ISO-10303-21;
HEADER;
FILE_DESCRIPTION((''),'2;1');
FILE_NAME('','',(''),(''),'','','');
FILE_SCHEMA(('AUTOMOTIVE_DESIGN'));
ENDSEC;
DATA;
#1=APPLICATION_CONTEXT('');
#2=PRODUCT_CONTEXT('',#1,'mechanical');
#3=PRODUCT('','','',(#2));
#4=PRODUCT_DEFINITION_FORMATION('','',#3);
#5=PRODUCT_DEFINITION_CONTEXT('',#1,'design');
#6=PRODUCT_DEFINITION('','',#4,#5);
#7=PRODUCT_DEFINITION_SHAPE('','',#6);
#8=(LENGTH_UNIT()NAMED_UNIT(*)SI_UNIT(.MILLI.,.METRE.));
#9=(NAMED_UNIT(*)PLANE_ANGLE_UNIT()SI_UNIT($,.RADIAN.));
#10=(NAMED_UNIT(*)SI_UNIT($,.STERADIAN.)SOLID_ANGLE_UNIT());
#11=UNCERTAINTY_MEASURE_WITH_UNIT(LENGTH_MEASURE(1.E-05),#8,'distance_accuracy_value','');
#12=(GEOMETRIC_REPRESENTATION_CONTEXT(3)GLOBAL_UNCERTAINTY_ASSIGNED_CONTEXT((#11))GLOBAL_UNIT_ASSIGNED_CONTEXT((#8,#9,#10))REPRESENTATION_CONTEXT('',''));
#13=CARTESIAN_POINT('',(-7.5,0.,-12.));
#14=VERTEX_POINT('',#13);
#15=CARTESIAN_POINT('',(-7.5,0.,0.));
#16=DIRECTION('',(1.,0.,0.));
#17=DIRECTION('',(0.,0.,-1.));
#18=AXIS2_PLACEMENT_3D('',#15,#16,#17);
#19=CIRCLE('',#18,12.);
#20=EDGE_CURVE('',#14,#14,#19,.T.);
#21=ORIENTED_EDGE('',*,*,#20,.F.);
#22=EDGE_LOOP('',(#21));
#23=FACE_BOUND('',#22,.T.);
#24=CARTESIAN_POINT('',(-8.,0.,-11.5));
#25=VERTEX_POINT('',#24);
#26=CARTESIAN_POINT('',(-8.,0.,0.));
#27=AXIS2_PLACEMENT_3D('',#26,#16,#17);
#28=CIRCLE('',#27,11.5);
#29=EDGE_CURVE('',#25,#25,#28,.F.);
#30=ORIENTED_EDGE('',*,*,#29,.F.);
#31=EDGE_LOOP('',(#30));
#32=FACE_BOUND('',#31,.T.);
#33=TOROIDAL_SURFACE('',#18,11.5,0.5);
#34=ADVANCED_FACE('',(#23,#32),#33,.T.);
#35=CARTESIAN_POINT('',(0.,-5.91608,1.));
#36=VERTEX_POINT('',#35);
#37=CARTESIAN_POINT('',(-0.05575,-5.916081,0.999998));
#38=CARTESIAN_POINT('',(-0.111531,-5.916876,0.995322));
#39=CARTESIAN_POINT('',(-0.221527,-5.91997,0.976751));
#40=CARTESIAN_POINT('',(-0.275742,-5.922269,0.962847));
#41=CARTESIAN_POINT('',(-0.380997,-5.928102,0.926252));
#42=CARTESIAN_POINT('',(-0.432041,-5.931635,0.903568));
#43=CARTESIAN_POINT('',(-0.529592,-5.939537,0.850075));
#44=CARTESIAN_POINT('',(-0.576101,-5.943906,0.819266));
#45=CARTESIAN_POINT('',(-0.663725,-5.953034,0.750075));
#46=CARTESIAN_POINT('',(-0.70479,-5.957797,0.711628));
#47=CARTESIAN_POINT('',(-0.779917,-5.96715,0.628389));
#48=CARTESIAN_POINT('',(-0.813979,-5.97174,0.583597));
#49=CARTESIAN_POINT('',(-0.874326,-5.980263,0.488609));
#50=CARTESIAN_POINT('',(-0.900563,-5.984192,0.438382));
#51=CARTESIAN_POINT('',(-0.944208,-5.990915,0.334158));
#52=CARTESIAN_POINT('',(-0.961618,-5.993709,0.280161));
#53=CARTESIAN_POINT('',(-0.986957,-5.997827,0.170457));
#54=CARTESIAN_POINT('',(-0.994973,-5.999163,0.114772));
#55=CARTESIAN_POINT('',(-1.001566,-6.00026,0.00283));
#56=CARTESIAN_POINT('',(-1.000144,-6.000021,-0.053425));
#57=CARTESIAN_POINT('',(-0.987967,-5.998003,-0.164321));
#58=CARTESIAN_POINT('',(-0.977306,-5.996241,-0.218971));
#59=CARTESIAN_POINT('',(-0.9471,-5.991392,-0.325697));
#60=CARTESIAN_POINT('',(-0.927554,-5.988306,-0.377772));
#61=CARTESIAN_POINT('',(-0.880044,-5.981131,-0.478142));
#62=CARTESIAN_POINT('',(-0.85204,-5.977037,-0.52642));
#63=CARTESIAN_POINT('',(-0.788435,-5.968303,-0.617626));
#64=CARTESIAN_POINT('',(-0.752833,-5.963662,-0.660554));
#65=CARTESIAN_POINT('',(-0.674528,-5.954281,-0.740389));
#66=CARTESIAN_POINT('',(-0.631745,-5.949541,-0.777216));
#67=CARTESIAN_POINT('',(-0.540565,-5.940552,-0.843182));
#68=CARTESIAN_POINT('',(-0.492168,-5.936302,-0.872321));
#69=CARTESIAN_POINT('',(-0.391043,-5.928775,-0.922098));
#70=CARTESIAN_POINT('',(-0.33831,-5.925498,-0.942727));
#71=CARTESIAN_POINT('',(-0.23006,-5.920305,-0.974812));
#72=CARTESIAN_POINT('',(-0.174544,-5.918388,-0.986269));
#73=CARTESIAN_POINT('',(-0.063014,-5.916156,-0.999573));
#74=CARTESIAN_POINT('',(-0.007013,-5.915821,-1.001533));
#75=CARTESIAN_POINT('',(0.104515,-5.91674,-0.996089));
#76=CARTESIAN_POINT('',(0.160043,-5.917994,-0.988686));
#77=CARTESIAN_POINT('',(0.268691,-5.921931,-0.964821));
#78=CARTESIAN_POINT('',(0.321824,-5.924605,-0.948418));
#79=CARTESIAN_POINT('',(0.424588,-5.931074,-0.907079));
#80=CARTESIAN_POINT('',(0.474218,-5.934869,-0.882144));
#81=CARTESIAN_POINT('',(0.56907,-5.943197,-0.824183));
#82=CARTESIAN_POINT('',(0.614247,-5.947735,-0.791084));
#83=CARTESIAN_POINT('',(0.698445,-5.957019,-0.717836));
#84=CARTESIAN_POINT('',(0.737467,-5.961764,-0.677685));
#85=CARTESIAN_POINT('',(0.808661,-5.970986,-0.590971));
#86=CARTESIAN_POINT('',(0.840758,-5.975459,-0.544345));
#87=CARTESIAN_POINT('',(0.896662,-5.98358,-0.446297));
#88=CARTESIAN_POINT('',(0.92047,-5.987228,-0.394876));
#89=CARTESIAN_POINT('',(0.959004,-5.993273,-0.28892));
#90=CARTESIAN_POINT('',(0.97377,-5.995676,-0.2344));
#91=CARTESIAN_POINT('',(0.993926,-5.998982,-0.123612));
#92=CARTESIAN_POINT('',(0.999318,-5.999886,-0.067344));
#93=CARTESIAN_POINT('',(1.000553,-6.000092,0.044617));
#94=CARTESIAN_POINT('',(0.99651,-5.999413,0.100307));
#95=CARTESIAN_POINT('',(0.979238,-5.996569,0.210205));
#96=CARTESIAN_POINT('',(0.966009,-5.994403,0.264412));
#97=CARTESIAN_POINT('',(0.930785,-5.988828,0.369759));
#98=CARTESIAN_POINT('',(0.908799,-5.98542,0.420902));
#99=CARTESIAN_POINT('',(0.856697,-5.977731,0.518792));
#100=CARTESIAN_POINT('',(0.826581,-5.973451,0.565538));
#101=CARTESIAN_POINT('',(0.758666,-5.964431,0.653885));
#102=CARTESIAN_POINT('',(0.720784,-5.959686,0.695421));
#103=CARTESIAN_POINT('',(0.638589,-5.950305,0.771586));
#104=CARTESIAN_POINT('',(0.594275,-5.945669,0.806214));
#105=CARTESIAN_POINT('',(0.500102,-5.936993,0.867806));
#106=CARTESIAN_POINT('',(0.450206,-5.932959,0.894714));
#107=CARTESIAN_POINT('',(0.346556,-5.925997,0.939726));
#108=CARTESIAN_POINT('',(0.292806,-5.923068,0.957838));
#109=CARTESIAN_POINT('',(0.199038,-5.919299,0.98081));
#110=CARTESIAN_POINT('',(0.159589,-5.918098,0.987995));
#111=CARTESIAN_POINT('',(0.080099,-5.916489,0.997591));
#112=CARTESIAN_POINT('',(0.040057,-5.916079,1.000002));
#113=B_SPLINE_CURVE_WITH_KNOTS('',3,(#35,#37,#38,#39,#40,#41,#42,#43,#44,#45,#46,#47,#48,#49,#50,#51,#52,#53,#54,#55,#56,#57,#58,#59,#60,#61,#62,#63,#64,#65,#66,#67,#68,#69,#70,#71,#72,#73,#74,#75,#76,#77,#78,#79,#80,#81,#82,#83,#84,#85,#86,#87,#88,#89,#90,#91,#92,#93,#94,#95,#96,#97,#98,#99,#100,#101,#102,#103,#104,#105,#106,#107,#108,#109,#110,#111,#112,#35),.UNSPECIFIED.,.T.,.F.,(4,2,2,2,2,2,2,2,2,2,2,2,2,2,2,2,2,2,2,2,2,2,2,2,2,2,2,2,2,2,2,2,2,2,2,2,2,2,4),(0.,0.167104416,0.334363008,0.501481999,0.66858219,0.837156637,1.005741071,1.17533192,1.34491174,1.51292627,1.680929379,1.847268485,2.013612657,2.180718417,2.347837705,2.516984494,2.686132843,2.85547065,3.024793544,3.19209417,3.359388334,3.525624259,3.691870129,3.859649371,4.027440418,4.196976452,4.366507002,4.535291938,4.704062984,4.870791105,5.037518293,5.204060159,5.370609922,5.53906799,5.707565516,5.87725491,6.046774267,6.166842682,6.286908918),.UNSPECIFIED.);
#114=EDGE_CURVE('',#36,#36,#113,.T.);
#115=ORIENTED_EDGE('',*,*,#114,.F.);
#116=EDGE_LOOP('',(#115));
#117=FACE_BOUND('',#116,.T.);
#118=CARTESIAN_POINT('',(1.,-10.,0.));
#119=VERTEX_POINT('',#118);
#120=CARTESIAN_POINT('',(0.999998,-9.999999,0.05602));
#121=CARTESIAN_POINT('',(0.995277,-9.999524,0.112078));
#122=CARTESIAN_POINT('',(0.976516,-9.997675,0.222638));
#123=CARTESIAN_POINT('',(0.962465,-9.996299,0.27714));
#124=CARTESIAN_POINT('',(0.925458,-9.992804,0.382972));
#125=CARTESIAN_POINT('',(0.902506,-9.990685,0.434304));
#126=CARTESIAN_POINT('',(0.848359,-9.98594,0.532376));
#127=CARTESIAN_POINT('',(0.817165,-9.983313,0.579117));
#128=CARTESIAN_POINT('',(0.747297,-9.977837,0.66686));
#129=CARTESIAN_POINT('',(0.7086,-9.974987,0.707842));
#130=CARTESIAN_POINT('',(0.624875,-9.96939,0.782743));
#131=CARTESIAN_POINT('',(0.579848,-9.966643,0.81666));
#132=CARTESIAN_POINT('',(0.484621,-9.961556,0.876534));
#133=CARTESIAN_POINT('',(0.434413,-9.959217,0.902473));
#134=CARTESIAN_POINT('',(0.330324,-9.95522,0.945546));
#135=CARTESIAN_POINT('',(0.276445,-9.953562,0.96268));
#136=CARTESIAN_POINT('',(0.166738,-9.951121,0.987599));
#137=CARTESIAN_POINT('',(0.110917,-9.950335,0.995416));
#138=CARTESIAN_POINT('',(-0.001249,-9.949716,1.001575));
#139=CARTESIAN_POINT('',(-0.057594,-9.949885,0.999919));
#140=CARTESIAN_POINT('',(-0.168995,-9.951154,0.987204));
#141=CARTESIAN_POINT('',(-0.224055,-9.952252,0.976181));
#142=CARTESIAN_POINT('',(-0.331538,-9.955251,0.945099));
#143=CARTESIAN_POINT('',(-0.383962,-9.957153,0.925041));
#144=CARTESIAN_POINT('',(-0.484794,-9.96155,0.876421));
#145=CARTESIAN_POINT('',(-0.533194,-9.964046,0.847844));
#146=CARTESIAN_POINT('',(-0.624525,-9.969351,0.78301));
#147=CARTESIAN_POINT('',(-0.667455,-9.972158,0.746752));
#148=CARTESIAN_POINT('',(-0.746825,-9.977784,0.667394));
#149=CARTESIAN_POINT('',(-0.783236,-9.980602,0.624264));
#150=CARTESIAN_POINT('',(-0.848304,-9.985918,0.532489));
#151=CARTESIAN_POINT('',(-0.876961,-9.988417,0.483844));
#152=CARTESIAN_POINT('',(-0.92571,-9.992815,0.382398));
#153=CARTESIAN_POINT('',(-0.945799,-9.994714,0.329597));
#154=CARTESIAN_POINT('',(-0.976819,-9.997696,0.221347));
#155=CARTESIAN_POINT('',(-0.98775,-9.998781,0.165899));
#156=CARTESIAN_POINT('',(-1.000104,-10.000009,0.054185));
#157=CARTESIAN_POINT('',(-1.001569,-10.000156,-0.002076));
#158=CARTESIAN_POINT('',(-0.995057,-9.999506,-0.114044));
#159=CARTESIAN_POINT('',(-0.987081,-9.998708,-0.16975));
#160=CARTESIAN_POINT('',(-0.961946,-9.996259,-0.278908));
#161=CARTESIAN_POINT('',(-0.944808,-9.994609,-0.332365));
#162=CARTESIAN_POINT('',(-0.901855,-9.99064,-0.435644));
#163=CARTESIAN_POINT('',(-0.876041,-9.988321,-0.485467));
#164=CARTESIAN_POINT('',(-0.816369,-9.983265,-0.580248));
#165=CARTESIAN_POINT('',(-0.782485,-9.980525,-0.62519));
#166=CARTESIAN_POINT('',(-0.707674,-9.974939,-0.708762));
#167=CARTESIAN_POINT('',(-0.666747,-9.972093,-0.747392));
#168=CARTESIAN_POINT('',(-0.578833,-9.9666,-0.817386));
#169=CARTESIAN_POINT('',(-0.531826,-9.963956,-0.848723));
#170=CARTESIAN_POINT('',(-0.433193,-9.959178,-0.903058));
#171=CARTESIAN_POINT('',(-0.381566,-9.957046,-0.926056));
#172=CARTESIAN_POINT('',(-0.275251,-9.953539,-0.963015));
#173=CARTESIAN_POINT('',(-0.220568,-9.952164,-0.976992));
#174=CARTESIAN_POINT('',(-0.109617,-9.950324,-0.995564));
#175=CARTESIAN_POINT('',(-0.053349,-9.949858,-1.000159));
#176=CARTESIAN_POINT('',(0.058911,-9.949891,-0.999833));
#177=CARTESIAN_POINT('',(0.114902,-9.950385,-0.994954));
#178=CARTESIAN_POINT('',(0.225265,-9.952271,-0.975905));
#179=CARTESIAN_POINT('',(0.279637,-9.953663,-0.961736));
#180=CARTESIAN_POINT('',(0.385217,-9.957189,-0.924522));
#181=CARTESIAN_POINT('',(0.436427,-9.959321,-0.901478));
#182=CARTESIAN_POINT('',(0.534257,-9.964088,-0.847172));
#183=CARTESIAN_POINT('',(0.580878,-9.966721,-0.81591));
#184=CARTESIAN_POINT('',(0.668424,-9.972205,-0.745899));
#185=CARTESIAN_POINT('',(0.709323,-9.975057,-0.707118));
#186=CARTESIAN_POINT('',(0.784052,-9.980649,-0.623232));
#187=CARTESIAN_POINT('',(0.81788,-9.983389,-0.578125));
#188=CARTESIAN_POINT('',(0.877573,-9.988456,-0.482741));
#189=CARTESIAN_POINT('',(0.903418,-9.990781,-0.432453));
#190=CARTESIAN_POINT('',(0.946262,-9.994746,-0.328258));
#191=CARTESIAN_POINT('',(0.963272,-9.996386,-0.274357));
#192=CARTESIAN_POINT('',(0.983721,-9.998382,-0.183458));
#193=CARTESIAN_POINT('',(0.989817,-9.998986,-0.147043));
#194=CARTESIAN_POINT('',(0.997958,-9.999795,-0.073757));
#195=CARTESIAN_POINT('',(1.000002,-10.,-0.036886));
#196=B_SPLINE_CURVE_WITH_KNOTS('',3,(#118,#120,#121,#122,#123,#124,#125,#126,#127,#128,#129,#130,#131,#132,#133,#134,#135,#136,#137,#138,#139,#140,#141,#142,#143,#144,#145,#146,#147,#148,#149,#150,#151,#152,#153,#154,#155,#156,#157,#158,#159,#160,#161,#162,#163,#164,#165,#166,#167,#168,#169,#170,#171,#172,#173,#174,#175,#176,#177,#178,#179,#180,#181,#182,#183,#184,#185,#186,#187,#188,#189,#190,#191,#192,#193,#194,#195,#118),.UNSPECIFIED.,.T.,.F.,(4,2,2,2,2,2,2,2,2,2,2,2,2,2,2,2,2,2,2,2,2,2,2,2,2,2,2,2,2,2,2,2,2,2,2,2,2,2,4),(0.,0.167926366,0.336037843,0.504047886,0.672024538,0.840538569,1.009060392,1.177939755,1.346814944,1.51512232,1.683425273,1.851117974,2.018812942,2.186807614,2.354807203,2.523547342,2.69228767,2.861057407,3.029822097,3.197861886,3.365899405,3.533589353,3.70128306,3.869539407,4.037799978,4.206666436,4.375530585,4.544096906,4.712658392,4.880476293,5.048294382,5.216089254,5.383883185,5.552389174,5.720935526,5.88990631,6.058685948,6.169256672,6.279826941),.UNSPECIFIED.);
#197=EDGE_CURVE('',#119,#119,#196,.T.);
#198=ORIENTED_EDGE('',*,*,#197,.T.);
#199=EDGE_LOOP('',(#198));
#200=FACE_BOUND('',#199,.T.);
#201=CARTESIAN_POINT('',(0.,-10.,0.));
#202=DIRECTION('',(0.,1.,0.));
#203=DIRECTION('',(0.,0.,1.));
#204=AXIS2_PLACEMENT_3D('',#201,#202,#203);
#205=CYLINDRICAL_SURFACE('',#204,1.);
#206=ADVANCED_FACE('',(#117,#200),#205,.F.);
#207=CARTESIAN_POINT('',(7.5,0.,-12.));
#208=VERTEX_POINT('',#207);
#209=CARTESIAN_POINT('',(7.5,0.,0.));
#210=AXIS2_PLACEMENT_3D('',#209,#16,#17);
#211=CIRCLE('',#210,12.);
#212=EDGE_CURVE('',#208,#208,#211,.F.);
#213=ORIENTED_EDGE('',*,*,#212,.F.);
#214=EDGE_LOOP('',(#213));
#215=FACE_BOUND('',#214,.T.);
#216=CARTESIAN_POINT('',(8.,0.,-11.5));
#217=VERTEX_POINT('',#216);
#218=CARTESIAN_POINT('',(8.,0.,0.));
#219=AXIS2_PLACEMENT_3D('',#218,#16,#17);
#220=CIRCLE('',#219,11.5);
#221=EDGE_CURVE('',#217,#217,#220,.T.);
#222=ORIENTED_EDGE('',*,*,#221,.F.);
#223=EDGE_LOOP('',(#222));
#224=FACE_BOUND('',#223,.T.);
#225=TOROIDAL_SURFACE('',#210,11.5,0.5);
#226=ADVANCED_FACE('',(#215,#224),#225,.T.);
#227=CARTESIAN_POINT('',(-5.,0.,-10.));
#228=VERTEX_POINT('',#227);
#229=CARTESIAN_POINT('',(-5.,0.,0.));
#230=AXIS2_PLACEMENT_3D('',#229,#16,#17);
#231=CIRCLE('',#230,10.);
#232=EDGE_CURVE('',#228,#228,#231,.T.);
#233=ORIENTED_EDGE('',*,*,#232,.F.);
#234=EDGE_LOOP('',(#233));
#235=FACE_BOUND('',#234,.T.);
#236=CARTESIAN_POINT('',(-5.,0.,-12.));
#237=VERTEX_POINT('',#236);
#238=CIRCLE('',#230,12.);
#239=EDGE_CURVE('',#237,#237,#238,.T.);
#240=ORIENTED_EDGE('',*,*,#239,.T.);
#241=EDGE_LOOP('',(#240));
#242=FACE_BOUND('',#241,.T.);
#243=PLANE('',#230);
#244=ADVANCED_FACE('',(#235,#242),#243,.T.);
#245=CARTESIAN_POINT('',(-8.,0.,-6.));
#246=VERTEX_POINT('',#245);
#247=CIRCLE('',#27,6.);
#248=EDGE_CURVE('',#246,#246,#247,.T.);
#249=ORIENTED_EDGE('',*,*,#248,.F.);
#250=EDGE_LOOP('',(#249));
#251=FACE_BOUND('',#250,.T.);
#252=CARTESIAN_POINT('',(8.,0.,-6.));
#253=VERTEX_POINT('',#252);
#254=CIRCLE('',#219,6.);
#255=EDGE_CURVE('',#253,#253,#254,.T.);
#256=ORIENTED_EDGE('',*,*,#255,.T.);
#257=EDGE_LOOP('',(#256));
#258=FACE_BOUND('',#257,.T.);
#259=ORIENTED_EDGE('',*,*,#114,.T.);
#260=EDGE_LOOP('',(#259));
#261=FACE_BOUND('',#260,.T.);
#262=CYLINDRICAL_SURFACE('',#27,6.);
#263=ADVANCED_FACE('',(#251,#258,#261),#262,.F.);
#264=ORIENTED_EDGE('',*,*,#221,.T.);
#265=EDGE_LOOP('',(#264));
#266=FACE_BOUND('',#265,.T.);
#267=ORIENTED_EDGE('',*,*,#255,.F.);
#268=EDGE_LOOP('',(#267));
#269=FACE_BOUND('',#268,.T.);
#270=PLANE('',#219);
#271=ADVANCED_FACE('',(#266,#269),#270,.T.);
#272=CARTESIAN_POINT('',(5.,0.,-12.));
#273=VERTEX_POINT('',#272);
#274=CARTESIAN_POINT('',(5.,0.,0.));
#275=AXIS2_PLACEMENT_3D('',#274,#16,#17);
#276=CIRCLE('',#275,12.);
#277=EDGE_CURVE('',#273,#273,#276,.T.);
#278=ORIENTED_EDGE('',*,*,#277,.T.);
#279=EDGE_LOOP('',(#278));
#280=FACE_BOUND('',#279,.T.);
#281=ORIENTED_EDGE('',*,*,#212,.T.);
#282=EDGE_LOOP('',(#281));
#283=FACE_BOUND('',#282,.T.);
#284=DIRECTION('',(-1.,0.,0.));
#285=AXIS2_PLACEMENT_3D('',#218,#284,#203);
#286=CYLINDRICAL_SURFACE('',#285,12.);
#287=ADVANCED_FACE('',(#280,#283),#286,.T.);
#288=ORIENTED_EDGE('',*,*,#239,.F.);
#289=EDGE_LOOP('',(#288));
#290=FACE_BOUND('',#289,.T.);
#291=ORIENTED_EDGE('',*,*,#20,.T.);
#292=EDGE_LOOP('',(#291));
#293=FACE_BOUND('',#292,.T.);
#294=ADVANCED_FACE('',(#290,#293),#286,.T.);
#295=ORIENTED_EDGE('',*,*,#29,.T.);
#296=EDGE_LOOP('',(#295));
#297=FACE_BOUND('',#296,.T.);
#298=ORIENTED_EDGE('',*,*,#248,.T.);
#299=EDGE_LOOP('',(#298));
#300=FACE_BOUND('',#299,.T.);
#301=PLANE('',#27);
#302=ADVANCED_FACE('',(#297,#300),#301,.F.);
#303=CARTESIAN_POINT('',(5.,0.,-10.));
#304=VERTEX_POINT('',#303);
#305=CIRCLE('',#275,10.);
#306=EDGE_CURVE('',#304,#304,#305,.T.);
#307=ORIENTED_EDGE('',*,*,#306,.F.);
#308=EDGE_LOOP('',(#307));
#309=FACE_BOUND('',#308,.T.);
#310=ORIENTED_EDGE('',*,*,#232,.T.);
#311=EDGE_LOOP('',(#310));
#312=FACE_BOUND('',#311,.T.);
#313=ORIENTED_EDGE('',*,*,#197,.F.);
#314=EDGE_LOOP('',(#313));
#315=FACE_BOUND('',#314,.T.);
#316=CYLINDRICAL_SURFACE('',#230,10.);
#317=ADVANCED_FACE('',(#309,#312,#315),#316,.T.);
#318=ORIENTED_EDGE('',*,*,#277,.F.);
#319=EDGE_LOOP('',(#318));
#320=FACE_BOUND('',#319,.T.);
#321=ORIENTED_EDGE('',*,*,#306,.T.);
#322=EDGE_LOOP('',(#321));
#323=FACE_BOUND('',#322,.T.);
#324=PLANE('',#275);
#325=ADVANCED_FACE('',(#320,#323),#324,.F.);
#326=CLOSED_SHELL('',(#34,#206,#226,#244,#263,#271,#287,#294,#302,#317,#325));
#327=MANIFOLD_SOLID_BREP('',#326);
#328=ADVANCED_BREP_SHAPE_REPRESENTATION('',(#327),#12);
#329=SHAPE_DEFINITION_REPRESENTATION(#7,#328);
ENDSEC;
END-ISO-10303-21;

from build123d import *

# Parameters (mm, degrees)
SKETCH_2_R               = 12
EXTRUDE_1_DEPTH          = 8
SKETCH_3_R               = 12
SKETCH_3_R_2             = 10
CUT_EXTRUDE_1_DEPTH      = 5
SKETCH_4_R               = 6
CUT_EXTRUDE_2_DEPTH      = 9
CUT_EXTRUDE_2_DEPTH_BACK = 9
FILLET_1_R               = 0.5
SKETCH_5_R               = 1
CUT_EXTRUDE_3_DEPTH      = 10


with BuildPart() as part:
    # 草图2 → 凸台-拉伸1 (new body, symmetric)
    with BuildSketch(Plane(origin=(0, 0, 0), x_dir=(0, 0, -1), z_dir=(1, 0, 0))):
        Circle(SKETCH_2_R)
    extrude(amount=EXTRUDE_1_DEPTH, both=True)

    # 草图3 → 切除-拉伸1 (cut, symmetric)
    with BuildSketch(Plane(origin=(0, 0, 0), x_dir=(0, 0, -1), z_dir=(1, 0, 0))):
        Circle(SKETCH_3_R)
        Circle(SKETCH_3_R_2, mode=Mode.SUBTRACT)
    extrude(amount=CUT_EXTRUDE_1_DEPTH, both=True, mode=Mode.SUBTRACT)

    # 草图4 → 切除-拉伸2 (cut, two sides)
    with BuildSketch(Plane(origin=(0, 0, 0), x_dir=(0, 0, -1), z_dir=(1, 0, 0))) as cut_extrude_2_sk:
        Circle(SKETCH_4_R)
    extrude(amount=CUT_EXTRUDE_2_DEPTH, mode=Mode.SUBTRACT)
    extrude(cut_extrude_2_sk.sketch, amount=-CUT_EXTRUDE_2_DEPTH_BACK, mode=Mode.SUBTRACT)

    # 圆角1
    fillet_1_edges = [part.edges().sort_by_distance(p)[0] for p in [
        (-8, 0, 12),
        (8, 0, 12),
    ]]
    fillet(fillet_1_edges, radius=FILLET_1_R)

    # 草图5 → 切除-拉伸3 (cut)
    with BuildSketch(Plane(origin=(0, 0, 0), x_dir=(1, 0, 0), z_dir=(0, 1, 0))):
        Circle(SKETCH_5_R)
    extrude(amount=-CUT_EXTRUDE_3_DEPTH, mode=Mode.SUBTRACT)


solid = part.part
